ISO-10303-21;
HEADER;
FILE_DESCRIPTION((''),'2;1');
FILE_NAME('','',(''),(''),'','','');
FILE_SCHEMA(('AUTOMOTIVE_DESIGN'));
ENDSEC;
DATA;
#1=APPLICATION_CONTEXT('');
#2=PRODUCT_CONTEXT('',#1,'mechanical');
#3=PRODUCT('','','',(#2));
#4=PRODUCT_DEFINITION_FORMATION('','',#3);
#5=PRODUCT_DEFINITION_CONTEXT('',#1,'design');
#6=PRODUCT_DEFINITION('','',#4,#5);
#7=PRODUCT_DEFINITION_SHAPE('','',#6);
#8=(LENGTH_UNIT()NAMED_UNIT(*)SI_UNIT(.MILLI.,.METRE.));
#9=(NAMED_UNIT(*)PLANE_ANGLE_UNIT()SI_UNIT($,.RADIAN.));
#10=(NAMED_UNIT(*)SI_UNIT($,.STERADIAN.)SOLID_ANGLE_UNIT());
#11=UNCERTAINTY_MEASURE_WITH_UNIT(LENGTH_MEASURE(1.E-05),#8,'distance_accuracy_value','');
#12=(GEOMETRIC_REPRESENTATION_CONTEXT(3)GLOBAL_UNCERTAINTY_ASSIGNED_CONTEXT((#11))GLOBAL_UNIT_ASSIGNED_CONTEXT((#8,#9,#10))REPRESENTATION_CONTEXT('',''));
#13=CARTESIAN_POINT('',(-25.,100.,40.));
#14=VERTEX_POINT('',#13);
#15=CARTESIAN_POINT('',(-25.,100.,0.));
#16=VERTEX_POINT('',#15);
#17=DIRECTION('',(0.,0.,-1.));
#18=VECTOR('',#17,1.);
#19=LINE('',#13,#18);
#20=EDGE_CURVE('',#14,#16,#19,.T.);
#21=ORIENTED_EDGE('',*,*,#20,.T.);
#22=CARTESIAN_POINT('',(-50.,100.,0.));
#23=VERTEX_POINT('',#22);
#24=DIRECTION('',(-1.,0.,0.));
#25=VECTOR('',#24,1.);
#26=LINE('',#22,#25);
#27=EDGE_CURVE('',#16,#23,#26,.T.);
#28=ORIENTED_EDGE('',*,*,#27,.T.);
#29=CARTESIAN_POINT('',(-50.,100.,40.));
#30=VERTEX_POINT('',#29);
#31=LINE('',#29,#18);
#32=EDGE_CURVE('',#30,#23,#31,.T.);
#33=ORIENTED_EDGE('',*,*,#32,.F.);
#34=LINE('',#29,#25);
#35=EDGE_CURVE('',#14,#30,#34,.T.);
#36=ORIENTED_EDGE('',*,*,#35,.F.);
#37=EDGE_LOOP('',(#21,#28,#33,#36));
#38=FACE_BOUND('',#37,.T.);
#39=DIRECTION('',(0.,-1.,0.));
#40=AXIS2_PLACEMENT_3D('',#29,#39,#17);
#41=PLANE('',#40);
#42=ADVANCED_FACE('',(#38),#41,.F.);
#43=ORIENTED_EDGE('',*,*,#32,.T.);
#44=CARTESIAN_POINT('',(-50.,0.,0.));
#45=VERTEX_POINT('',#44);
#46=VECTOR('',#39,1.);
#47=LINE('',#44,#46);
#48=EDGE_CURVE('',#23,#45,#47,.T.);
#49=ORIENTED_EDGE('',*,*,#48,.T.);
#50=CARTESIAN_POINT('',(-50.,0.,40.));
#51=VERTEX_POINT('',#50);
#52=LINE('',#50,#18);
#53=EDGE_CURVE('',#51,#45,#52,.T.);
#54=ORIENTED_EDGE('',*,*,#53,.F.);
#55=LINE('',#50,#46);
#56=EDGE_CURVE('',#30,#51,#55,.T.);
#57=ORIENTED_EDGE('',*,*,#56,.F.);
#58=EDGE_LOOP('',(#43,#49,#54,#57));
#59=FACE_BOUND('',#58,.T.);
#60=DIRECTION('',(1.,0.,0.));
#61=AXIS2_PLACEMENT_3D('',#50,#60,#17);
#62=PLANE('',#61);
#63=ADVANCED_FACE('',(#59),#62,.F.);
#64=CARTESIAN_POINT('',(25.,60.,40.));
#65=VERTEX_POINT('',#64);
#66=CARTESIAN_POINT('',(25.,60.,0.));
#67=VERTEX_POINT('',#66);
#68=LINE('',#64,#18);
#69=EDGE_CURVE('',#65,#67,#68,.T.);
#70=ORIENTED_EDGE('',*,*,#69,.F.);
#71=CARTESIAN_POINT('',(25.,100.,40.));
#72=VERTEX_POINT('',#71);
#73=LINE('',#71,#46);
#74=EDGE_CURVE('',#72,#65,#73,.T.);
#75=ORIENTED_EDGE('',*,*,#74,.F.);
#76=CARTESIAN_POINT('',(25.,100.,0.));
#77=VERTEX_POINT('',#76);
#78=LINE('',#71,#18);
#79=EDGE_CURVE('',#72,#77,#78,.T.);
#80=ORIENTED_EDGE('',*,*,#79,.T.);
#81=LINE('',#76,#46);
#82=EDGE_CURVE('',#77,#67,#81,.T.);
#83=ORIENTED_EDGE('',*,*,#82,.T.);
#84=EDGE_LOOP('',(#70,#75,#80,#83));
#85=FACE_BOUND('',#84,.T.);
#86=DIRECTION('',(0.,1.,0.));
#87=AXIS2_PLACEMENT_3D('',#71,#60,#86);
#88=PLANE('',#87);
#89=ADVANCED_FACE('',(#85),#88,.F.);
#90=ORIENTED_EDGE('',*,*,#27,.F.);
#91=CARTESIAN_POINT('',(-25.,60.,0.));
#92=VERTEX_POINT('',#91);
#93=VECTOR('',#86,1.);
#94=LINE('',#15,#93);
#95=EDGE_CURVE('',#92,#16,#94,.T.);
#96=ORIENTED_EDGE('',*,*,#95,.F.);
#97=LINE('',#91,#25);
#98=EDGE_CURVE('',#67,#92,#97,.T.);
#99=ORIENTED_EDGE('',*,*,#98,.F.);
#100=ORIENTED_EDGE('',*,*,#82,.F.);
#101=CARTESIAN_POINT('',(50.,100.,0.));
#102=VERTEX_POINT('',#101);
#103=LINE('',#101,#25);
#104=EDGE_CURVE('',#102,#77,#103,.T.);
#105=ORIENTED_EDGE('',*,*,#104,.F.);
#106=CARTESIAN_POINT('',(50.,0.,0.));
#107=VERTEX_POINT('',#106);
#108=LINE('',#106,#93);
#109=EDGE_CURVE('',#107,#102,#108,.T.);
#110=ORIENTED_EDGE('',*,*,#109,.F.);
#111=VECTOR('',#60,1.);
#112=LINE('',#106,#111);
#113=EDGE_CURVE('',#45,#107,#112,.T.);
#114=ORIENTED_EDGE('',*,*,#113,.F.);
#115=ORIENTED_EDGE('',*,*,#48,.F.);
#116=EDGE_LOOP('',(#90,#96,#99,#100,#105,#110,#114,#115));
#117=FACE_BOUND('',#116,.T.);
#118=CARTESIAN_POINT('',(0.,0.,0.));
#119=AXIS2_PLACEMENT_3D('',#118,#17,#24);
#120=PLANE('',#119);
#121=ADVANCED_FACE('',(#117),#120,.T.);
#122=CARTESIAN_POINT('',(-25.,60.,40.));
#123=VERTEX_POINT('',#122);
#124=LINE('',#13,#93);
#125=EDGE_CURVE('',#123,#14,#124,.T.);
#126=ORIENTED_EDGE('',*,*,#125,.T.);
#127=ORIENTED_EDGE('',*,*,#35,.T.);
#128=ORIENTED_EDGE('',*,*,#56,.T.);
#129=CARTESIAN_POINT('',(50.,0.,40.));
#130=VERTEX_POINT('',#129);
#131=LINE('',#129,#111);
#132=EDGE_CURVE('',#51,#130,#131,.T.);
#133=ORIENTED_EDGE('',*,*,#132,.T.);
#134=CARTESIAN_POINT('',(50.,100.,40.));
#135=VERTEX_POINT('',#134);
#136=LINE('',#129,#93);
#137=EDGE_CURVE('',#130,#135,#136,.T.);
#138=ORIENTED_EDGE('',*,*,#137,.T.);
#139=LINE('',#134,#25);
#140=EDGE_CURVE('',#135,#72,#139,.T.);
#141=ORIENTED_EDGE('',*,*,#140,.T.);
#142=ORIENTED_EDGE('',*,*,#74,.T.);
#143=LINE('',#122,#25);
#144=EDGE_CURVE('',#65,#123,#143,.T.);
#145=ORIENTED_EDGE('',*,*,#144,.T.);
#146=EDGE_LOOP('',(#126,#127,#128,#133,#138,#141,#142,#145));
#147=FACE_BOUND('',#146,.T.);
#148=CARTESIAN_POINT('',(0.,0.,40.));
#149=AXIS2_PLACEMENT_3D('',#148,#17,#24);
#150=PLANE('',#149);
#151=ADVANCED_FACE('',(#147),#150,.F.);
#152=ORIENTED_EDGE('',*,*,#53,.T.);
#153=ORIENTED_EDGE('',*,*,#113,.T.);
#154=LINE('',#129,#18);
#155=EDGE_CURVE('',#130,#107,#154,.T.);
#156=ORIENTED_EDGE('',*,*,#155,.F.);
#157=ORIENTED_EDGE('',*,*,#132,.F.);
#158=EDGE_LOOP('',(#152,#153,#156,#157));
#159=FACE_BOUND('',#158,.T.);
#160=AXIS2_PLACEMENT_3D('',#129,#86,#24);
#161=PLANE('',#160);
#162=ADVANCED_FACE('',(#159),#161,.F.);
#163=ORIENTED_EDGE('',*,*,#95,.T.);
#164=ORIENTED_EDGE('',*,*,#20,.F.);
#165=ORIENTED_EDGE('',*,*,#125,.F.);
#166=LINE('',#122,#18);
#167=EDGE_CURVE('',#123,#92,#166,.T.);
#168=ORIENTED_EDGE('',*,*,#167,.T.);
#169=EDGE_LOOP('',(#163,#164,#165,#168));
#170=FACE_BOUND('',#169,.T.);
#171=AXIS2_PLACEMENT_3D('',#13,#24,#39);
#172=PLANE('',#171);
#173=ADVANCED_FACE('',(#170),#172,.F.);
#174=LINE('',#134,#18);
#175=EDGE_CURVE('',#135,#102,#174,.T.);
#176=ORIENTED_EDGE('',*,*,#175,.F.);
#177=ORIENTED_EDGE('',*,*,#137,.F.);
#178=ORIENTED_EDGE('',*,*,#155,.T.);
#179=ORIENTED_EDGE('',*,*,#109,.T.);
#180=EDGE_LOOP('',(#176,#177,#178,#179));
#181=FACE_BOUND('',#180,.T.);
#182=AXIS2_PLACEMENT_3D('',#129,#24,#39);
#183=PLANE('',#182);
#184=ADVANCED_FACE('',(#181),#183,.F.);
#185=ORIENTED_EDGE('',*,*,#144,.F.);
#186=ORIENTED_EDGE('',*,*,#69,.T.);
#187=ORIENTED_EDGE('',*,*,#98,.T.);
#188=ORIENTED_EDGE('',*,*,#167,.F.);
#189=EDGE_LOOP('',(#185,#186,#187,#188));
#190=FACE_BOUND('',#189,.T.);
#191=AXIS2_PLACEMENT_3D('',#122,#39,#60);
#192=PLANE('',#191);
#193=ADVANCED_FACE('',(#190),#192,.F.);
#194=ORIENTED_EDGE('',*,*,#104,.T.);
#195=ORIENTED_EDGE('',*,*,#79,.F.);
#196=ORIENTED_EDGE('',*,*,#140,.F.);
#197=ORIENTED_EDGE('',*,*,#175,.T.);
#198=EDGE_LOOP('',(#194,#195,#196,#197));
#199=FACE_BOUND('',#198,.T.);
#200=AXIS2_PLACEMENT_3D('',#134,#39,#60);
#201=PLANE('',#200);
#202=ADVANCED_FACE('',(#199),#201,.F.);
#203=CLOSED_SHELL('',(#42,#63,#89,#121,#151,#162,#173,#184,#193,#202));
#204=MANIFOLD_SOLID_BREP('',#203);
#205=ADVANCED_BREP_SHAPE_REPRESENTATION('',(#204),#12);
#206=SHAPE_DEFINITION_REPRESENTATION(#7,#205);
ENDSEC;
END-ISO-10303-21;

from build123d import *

# Parameters (mm, degrees)
AUFSATZ_LINEAR_AUSTRAGEN1_DEPTH = 40


with BuildPart() as part:
    # Skizze1 → Aufsatz-Linear austragen1 (new body)
    with BuildSketch(Plane.XY):
        Polygon((50, 0), (-50, 0), (-50, 100), (-25, 100), (-25, 60), (25, 60), (25, 100), (50, 100), align=None)
    extrude(amount=AUFSATZ_LINEAR_AUSTRAGEN1_DEPTH)


solid = part.part
